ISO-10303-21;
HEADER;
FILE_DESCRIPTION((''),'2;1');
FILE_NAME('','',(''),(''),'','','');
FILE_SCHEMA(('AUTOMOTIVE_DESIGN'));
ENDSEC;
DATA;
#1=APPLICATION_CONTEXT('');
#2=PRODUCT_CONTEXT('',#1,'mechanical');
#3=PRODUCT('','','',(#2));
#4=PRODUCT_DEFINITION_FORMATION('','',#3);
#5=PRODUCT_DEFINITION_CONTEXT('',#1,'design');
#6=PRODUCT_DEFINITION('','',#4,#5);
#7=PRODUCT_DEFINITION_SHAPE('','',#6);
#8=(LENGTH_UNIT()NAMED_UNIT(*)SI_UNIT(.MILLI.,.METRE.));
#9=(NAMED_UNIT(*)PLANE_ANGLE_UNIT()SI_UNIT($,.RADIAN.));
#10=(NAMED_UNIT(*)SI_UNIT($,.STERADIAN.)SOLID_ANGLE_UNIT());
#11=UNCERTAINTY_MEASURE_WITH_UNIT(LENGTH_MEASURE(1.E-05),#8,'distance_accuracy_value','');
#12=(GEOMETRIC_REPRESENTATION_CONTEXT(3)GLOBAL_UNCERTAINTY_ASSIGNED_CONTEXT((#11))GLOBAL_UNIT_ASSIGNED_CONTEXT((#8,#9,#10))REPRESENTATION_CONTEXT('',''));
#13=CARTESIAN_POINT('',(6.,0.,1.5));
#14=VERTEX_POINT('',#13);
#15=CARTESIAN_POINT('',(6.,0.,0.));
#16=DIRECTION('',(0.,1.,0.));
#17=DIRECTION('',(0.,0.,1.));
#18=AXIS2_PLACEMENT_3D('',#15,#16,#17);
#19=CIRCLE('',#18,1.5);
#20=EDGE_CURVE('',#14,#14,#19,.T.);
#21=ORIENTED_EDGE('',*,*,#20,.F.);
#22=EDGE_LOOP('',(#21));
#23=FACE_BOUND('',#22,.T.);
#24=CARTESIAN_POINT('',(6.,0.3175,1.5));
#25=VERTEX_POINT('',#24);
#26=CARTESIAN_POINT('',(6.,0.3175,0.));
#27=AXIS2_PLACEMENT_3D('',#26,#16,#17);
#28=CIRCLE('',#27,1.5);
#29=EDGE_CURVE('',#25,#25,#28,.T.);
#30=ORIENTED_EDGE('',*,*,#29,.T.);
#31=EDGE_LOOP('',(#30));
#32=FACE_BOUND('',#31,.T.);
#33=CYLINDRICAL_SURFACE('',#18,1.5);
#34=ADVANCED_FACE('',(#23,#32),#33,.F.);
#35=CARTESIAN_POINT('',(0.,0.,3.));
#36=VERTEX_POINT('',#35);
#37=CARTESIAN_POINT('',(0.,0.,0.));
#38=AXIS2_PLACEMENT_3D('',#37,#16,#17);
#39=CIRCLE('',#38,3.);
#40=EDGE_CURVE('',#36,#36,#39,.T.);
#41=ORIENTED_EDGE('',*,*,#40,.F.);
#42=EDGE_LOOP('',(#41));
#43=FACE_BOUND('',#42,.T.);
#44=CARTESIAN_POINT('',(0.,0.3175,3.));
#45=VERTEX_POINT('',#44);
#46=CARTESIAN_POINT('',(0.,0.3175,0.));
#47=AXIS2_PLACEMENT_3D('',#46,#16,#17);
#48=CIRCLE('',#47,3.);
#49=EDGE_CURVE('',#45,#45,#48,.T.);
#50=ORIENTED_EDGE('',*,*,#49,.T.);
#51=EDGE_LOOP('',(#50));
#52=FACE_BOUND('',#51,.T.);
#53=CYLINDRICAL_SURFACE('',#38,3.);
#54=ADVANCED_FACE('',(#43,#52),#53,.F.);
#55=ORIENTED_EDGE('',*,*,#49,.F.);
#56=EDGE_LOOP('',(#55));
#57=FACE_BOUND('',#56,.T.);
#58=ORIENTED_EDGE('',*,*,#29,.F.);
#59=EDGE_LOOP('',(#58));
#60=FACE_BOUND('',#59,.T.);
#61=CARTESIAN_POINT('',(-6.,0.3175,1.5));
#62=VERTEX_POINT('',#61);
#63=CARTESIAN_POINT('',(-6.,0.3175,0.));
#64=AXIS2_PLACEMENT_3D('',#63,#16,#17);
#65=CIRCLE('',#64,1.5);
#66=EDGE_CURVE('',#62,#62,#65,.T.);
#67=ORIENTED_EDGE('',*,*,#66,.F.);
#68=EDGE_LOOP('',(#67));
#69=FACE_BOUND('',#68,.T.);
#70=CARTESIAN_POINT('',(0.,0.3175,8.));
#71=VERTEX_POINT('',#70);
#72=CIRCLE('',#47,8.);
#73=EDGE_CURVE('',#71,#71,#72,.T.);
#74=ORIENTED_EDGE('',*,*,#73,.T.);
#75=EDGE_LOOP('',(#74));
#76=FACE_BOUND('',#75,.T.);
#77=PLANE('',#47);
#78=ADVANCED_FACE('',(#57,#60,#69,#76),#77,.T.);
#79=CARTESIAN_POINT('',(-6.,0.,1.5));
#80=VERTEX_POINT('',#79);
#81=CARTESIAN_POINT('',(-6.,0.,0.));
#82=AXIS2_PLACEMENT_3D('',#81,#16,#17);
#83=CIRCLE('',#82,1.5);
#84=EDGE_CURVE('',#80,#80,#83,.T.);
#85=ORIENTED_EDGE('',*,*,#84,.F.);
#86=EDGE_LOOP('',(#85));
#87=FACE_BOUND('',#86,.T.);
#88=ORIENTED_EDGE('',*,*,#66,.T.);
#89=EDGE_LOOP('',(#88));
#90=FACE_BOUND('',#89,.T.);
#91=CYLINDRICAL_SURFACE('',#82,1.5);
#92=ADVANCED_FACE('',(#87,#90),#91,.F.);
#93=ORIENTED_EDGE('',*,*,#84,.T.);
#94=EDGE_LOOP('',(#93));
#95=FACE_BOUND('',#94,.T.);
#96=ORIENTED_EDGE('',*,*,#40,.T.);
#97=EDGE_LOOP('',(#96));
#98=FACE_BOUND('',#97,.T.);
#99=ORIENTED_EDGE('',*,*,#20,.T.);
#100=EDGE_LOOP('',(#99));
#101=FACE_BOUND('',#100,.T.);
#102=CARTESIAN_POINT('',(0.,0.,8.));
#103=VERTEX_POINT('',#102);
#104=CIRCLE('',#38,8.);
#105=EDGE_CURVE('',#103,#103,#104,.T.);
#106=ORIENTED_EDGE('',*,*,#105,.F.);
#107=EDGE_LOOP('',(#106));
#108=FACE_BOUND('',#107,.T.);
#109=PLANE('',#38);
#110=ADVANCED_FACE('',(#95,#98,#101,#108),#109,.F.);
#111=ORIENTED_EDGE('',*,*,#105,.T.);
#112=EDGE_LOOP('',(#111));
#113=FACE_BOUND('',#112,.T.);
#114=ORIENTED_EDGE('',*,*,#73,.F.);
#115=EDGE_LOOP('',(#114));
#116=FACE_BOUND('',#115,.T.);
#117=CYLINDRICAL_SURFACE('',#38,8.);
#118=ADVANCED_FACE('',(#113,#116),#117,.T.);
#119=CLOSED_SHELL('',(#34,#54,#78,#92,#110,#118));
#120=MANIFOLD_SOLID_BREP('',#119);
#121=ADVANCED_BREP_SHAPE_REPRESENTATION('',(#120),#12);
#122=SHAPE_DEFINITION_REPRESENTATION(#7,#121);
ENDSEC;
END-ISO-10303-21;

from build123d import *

# Parameters (mm, degrees)
SKETCH1_R           = 7
BOSS_EXTRUDE1_DEPTH = 0.3175
SKETCH2_R           = 8
BOSS_EXTRUDE3_DEPTH = 0.3175
SKETCH3_R           = 1.5
CUT_EXTRUDE2_DEPTH  = 0.3175
SKETCH4_R           = 1.5
CUT_EXTRUDE3_DEPTH  = 0.3175
SKETCH5_R           = 3
CUT_EXTRUDE4_DEPTH  = 0.3175


with BuildPart() as part:
    # Sketch1 → Boss-Extrude1 (new body)
    with BuildSketch(Plane(origin=(0, 0, 0), x_dir=(1, 0, 0), z_dir=(0, 1, 0))):
        with Locations(Location((0, 0, 0), (0, 0, 270))):
            Circle(SKETCH1_R)
    extrude(amount=BOSS_EXTRUDE1_DEPTH)

    # Sketch2 → Boss-Extrude3 (add)
    with BuildSketch(Plane(origin=(0, 0.3175, 0), x_dir=(1, 0, 0), z_dir=(0, 1, 0))):
        with Locations(Location((0, 0, 0), (0, 0, 270))):
            Circle(SKETCH2_R)
    extrude(amount=-BOSS_EXTRUDE3_DEPTH)

    # Sketch3 → Cut-Extrude2 (cut)
    with BuildSketch(Plane(origin=(0, 0.3175, 0), x_dir=(1, 0, 0), z_dir=(0, 1, 0))):
        with Locations(Location((6, 0, 0), (0, 0, 270))):
            Circle(SKETCH3_R)
    extrude(amount=-CUT_EXTRUDE2_DEPTH, mode=Mode.SUBTRACT)

    # Sketch4 → Cut-Extrude3 (cut)
    with BuildSketch(Plane(origin=(0, 0.3175, 0), x_dir=(1, 0, 0), z_dir=(0, 1, 0))):
        with Locations(Location((-6, 0, 0), (0, 0, 270))):
            Circle(SKETCH4_R)
    extrude(amount=-CUT_EXTRUDE3_DEPTH, mode=Mode.SUBTRACT)

    # Sketch5 → Cut-Extrude4 (cut)
    with BuildSketch(Plane(origin=(0, 0.3175, 0), x_dir=(1, 0, 0), z_dir=(0, 1, 0))):
        with Locations(Location((0, 0, 0), (0, 0, 270))):
            Circle(SKETCH5_R)
    extrude(amount=-CUT_EXTRUDE4_DEPTH, mode=Mode.SUBTRACT)


solid = part.part
